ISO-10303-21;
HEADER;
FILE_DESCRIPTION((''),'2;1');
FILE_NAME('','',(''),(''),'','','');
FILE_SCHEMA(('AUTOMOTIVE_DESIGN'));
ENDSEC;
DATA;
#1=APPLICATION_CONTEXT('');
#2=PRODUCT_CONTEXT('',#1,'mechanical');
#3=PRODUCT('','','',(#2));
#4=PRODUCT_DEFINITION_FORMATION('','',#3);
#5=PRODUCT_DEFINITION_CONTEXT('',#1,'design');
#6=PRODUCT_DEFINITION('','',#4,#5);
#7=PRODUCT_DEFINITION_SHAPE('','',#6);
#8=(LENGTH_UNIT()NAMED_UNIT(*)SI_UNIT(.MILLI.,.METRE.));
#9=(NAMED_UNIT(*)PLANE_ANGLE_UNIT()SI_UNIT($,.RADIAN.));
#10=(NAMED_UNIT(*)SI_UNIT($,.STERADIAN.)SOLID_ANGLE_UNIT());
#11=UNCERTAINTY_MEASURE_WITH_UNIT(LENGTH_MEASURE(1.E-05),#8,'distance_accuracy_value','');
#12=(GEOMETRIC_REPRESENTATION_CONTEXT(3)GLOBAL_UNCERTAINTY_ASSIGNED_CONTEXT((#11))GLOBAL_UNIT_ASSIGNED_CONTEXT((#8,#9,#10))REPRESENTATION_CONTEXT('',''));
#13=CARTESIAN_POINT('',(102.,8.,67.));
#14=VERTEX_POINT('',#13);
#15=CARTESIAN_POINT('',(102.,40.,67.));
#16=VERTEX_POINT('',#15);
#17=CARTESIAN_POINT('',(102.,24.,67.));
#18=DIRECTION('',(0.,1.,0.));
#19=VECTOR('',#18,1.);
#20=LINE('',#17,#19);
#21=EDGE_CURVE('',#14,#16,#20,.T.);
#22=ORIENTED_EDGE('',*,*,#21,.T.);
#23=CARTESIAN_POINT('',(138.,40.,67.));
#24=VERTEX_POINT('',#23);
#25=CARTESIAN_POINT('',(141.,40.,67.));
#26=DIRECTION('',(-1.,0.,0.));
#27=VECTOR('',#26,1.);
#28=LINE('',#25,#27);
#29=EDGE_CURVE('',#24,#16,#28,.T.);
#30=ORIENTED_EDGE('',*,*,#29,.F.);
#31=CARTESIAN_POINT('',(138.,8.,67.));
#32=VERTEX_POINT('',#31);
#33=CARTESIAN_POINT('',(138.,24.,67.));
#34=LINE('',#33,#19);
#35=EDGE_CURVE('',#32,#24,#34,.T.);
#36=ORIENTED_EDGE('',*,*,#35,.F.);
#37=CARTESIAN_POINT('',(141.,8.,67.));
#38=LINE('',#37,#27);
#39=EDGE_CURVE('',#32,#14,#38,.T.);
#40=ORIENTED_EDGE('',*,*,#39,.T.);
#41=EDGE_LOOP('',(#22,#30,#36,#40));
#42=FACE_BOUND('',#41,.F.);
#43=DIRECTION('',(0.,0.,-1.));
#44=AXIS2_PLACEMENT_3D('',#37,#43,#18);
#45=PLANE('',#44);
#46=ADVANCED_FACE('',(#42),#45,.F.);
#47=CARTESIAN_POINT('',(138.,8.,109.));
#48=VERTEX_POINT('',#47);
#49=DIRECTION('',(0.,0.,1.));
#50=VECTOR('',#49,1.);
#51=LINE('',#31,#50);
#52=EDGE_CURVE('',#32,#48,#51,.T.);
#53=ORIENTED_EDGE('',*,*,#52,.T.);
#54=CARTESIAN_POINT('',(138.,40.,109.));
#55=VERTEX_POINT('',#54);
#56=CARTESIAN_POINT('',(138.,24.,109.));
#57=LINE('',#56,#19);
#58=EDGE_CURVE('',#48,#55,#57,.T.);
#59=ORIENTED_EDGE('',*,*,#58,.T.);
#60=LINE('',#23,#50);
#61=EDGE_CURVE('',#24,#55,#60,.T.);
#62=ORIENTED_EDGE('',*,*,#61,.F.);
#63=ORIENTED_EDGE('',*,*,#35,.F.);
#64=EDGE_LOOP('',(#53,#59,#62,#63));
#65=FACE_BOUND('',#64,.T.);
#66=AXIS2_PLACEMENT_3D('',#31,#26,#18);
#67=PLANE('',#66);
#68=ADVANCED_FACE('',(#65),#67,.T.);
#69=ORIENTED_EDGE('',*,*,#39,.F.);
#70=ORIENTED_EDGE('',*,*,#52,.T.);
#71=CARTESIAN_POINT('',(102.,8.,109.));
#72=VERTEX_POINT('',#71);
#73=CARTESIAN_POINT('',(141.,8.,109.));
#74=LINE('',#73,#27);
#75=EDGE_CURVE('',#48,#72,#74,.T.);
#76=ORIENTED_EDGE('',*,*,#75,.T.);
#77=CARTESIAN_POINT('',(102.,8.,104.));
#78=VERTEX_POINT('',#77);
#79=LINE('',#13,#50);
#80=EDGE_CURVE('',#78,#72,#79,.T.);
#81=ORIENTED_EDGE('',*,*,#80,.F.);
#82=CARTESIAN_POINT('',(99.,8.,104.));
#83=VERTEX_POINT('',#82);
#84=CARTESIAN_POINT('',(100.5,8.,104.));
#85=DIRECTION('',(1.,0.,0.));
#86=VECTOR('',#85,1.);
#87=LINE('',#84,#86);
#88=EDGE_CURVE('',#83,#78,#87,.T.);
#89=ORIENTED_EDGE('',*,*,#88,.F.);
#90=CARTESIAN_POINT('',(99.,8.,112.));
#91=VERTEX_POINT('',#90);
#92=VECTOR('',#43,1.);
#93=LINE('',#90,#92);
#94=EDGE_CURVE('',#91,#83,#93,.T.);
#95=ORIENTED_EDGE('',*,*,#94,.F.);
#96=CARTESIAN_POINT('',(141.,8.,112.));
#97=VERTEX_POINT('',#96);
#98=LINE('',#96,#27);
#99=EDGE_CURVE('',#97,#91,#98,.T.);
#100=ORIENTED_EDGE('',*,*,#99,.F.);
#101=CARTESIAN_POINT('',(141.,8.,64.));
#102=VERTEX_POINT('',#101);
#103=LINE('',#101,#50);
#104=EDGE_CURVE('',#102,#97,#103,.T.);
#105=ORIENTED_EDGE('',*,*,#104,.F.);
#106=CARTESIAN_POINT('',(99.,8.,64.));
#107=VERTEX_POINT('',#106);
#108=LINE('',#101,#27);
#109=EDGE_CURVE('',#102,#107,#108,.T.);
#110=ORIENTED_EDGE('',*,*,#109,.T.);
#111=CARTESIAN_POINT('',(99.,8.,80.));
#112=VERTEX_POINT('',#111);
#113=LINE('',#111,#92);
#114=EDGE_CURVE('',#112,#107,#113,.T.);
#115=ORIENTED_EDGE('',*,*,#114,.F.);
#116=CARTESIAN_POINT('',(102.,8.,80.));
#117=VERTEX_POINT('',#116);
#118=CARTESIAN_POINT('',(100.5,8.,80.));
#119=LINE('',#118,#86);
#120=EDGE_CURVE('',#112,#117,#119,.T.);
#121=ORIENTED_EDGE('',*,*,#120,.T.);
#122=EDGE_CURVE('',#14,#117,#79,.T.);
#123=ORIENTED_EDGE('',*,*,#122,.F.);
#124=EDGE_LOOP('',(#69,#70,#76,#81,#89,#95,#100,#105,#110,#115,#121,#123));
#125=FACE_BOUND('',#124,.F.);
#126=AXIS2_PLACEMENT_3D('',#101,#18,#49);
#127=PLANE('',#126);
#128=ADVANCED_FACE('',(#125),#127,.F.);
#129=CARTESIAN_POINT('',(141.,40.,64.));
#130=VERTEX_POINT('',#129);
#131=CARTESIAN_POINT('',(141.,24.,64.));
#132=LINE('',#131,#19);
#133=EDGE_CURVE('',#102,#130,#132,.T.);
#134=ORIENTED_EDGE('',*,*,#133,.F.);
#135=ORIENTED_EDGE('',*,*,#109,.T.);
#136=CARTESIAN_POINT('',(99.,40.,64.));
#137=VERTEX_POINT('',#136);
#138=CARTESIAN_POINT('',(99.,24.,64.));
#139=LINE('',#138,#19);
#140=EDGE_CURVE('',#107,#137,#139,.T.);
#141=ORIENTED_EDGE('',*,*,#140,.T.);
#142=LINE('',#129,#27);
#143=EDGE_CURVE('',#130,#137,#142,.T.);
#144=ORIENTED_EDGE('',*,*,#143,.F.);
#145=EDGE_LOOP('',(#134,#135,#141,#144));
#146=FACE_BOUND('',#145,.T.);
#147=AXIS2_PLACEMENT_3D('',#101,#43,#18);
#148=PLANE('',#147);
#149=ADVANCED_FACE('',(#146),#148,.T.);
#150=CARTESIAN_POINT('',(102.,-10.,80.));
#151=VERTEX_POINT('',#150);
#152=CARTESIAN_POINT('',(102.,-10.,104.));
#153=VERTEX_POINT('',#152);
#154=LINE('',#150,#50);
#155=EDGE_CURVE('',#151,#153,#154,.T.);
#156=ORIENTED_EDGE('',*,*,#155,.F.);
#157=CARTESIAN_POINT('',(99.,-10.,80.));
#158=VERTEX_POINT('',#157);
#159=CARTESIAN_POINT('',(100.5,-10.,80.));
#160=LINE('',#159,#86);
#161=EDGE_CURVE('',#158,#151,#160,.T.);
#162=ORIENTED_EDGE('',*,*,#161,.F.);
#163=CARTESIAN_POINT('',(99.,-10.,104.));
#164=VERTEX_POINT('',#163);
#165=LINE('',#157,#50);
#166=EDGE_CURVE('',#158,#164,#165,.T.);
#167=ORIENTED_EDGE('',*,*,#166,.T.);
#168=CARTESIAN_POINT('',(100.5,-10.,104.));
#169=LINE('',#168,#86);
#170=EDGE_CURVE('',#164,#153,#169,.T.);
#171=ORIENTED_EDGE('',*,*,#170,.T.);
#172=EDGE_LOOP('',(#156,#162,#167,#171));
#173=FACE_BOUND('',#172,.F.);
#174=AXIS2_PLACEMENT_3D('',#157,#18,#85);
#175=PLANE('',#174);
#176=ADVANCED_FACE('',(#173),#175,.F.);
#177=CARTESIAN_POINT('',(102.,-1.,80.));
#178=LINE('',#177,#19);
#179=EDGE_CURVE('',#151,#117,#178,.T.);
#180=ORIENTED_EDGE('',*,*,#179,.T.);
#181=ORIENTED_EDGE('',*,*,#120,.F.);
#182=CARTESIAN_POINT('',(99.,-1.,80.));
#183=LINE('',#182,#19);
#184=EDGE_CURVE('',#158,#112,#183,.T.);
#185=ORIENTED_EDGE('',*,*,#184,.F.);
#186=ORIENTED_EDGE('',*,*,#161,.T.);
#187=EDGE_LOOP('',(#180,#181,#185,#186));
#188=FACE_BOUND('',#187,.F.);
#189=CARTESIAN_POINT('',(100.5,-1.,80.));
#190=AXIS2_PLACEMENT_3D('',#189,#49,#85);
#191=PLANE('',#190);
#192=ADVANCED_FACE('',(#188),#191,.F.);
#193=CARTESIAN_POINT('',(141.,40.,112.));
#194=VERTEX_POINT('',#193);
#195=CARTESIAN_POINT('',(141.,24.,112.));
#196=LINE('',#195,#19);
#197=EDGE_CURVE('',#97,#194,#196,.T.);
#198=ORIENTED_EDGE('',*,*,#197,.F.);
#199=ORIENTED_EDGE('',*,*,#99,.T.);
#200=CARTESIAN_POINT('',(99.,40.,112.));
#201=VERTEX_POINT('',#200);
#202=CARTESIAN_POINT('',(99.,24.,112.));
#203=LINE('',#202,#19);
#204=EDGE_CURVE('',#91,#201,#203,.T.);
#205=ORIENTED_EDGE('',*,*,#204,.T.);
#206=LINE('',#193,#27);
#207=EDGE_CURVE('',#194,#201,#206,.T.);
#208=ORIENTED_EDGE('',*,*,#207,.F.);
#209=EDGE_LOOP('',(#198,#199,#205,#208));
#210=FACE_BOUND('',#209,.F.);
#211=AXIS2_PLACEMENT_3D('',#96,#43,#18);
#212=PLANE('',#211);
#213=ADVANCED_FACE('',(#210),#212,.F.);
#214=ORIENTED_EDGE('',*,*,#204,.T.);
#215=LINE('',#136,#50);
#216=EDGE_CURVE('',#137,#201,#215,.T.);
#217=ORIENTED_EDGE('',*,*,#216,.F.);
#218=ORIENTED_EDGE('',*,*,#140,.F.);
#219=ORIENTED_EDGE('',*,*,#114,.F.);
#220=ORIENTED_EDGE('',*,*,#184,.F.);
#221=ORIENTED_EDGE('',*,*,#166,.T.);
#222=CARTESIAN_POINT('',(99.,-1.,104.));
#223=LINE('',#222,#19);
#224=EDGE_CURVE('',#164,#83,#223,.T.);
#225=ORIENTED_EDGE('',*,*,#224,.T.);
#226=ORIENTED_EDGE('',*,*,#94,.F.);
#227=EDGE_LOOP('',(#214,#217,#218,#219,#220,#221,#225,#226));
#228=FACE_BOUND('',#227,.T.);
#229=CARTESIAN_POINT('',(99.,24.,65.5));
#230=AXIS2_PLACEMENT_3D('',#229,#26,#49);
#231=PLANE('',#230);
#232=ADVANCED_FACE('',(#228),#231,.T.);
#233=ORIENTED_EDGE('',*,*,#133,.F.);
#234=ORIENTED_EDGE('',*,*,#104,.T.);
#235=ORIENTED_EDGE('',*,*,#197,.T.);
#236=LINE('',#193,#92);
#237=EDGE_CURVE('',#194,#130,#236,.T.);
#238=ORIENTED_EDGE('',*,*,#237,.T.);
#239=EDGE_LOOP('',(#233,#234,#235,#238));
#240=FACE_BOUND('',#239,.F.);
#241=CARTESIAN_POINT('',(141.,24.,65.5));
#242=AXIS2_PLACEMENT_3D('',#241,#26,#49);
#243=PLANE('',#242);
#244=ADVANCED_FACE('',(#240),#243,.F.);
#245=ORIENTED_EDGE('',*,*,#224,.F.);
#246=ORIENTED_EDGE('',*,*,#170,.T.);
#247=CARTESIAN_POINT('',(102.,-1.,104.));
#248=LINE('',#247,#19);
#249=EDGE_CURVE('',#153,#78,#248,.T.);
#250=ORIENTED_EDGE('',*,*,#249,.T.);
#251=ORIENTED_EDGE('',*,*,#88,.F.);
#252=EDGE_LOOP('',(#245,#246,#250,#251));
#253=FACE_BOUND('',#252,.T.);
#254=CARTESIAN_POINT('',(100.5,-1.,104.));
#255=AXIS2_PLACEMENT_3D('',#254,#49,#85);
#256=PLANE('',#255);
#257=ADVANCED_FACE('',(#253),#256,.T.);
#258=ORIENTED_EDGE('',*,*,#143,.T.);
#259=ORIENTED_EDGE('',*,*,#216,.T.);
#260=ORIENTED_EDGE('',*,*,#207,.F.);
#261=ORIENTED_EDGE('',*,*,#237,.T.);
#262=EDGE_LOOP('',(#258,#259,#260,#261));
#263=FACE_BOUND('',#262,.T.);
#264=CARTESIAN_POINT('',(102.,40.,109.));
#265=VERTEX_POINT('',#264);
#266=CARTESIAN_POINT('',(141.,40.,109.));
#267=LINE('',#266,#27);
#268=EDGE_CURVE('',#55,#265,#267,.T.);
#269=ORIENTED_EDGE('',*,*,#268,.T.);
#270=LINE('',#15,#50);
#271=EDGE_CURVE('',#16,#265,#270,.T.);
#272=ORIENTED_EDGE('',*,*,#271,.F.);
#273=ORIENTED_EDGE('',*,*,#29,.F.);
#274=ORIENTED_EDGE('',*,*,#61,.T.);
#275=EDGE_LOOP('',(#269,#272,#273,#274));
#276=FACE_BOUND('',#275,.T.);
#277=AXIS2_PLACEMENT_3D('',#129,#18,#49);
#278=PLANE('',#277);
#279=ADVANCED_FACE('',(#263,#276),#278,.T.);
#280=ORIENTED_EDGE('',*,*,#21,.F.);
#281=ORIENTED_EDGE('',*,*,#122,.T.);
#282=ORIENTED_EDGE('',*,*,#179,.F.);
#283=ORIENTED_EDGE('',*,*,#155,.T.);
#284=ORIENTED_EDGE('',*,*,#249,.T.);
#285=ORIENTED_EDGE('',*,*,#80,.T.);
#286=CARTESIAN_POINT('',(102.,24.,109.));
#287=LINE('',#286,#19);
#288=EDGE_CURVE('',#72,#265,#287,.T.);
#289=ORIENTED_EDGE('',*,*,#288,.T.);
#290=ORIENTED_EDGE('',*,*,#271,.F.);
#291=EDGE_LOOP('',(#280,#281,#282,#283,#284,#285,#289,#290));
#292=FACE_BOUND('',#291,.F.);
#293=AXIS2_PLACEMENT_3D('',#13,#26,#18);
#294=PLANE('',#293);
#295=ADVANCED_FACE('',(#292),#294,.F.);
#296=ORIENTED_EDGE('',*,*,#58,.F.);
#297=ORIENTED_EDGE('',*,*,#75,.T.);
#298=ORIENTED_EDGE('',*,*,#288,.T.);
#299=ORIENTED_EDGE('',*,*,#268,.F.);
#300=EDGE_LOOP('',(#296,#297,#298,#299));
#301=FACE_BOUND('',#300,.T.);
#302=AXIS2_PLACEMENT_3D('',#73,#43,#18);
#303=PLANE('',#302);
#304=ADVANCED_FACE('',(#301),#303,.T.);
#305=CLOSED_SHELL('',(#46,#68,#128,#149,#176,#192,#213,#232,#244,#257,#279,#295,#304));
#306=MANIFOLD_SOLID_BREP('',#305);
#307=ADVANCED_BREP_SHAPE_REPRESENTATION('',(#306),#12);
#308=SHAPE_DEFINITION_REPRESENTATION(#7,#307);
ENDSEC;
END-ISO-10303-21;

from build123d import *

# Parameters (mm, degrees)
BOX095_W     = 3
BOX095_H     = 32
BOX095_DEPTH = 42
BOX094_W     = 3
BOX094_H     = 32
BOX094_DEPTH = 42
BOX093_W     = 3
BOX093_H     = 32
BOX093_DEPTH = 42
BOX092_W     = 3
BOX092_H     = 32
BOX092_DEPTH = 42
BOX091_W     = 3
BOX091_H     = 18
BOX091_DEPTH = 24


with BuildPart() as box095:
    # Box095 → Box095 (new body)
    with BuildSketch(Plane(origin=(99, 8, 67), x_dir=(1, 0, 0), z_dir=(0, 0, 1))):
        with Locations((1.5, 16)):
            Rectangle(BOX095_W, BOX095_H)
    extrude(amount=BOX095_DEPTH)


with BuildPart() as box094:
    # Box094 → Box094 (new body)
    with BuildSketch(Plane(origin=(141, 8, 109), x_dir=(0, 0, 1), z_dir=(-1, 0, 0))):
        with Locations((1.5, 16)):
            Rectangle(BOX094_W, BOX094_H)
    extrude(amount=BOX094_DEPTH)


with BuildPart() as box093:
    # Box093 → Box093 (new body)
    with BuildSketch(Plane(origin=(138, 8, 67), x_dir=(1, 0, 0), z_dir=(0, 0, 1))):
        with Locations((1.5, 16)):
            Rectangle(BOX093_W, BOX093_H)
    extrude(amount=BOX093_DEPTH)


with BuildPart() as box092:
    # Box092 → Box092 (new body)
    with BuildSketch(Plane(origin=(141, 8, 64), x_dir=(0, 0, 1), z_dir=(-1, 0, 0))):
        with Locations((1.5, 16)):
            Rectangle(BOX092_W, BOX092_H)
    extrude(amount=BOX092_DEPTH)


with BuildPart() as fusion117:
    # Box091 → Box091 (new body)
    with BuildSketch(Plane(origin=(99, -10, 80), x_dir=(1, 0, 0), z_dir=(0, 0, 1))):
        with Locations((1.5, 9)):
            Rectangle(BOX091_W, BOX091_H)
    extrude(amount=BOX091_DEPTH)

    # Fusion117: union Box095, Box094, Box093, Box092
    add(box095.part)
    add(box094.part)
    add(box093.part)
    add(box092.part)


solid = fusion117.part
